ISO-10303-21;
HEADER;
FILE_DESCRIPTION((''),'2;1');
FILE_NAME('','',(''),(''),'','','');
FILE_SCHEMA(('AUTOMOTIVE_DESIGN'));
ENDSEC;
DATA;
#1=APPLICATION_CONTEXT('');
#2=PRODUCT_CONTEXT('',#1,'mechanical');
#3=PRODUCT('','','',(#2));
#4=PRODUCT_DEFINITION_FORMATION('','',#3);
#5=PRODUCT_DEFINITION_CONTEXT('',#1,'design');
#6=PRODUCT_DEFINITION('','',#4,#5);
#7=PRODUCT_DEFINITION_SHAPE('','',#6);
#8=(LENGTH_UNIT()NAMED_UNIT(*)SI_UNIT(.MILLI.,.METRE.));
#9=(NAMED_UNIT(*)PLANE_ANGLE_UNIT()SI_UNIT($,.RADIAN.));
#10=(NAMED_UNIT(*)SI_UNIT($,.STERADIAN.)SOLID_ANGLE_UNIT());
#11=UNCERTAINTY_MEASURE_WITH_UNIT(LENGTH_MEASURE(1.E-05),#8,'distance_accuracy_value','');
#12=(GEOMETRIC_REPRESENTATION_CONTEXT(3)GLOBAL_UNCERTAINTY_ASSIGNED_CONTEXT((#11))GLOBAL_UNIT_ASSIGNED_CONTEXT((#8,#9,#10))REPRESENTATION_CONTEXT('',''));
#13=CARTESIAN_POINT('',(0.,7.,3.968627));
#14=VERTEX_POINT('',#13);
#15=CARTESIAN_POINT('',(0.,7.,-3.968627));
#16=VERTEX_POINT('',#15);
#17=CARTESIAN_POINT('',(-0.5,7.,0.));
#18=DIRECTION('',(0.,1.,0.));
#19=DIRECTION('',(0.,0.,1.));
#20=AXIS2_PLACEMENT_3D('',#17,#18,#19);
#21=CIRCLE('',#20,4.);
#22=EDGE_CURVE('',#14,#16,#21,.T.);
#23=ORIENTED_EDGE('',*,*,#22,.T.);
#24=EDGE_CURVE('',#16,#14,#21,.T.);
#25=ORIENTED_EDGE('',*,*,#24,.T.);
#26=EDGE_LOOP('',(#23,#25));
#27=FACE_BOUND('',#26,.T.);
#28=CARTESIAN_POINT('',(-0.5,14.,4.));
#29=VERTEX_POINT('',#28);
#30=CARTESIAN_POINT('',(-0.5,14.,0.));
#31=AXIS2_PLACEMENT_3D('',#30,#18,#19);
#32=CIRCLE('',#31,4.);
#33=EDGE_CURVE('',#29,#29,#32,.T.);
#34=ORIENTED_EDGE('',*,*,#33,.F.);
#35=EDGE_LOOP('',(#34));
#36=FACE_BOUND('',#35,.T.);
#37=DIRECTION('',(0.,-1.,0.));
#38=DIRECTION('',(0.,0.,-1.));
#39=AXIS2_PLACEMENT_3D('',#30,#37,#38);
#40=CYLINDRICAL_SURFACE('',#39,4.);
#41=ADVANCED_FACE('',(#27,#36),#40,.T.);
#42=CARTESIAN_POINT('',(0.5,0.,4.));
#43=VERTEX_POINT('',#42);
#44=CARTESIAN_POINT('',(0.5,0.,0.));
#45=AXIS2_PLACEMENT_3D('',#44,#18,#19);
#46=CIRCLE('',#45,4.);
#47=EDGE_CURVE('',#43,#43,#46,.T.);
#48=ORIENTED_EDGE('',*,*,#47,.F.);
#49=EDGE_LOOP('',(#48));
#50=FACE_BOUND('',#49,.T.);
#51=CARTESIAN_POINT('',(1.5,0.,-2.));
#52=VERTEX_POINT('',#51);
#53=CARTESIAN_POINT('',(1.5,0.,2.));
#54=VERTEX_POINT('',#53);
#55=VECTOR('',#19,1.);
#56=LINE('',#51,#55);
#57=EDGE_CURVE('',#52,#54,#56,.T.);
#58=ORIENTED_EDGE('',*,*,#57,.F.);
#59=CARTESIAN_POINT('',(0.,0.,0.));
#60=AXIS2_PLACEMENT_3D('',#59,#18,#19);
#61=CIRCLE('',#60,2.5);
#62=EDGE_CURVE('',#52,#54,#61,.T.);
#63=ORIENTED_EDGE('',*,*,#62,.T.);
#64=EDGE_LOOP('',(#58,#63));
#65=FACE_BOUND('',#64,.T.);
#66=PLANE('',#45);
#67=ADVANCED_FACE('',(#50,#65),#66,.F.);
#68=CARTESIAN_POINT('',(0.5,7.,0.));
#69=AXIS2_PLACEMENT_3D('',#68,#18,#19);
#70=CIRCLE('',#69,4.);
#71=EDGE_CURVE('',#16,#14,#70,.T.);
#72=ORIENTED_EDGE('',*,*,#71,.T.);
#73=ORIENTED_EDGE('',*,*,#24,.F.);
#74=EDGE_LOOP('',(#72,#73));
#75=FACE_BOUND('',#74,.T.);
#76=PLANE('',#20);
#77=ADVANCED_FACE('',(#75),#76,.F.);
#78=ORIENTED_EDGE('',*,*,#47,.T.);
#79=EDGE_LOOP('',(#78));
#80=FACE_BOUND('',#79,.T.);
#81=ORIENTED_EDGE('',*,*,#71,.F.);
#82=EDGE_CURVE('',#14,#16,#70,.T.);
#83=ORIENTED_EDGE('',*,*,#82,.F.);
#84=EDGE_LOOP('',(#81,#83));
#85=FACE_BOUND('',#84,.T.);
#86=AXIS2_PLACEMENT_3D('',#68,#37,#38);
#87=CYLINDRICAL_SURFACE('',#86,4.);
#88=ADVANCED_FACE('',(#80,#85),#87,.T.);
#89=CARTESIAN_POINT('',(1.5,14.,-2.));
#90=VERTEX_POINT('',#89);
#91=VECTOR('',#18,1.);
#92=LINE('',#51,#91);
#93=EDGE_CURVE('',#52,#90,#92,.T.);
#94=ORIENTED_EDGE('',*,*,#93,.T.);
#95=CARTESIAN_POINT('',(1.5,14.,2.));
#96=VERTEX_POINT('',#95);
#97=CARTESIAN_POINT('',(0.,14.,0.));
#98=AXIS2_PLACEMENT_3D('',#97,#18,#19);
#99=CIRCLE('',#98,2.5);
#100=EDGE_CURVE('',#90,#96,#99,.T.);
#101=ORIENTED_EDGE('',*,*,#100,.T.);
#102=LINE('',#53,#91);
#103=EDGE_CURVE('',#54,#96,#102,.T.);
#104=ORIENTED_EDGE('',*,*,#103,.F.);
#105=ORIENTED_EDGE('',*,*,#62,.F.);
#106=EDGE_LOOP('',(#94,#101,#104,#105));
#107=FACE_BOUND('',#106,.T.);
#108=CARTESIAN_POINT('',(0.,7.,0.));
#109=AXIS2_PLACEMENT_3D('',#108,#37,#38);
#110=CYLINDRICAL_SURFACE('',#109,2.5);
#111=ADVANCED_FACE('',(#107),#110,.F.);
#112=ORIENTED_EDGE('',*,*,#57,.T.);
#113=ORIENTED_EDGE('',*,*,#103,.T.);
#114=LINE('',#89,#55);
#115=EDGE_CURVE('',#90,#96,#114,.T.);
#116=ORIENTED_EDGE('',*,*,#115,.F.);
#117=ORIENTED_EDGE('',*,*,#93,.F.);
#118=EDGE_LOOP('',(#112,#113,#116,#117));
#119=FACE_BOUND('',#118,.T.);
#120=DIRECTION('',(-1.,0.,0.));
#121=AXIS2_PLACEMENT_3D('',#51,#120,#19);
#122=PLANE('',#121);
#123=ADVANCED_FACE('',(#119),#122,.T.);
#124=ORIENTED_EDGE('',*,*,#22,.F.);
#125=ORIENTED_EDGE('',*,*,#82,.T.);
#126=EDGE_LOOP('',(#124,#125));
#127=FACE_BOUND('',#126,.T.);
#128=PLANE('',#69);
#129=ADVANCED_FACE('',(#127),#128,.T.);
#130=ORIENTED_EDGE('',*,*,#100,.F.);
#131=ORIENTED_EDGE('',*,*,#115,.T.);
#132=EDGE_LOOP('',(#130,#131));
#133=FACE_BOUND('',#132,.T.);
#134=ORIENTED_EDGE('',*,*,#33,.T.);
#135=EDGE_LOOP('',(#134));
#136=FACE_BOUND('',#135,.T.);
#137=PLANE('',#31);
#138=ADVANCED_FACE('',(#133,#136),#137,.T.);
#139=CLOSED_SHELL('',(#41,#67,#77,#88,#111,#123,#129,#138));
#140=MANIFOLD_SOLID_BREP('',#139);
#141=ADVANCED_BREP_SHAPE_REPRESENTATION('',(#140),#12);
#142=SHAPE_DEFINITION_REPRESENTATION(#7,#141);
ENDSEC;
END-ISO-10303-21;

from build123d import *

# Parameters (mm, degrees)
SKETCH1_R           = 4
SKETCH1_R_2         = 2.5
BOSS_EXTRUDE1_DEPTH = 7
SKETCH2_R           = 4
SKETCH2_R_2         = 2.5
BOSS_EXTRUDE2_DEPTH = 7
BOSS_EXTRUDE3_DEPTH = 14


with BuildPart() as part:
    # Sketch1 → Boss-Extrude1 (new body)
    with BuildSketch(Plane(origin=(0, 0, 0), x_dir=(1, 0, 0), z_dir=(0, 1, 0))):
        with Locations(Location((0.5, 0, 0), (0, 0, 270))):
            Circle(SKETCH1_R)
        with Locations(Location((0, 0, 0), (0, 0, 270))):
            Circle(SKETCH1_R_2, mode=Mode.SUBTRACT)
    extrude(amount=BOSS_EXTRUDE1_DEPTH)

    # Sketch2 → Boss-Extrude2 (add)
    with BuildSketch(Plane(origin=(0, 7, 0), x_dir=(1, 0, 0), z_dir=(0, 1, 0))):
        with Locations(Location((-0.5, 0, 0), (0, 0, 82.819244219))):
            Circle(SKETCH2_R)
        with Locations(Location((0, 0, 0), (0, 0, 270))):
            Circle(SKETCH2_R_2, mode=Mode.SUBTRACT)
    extrude(amount=BOSS_EXTRUDE2_DEPTH)

    # Sketch3 → Boss-Extrude3 (add, through all)
    with BuildSketch(Plane(origin=(0, 14, 0), x_dir=(1, 0, 0), z_dir=(0, 1, 0))):
        with BuildLine():
            Line((1.5, 2), (1.5, -2))
            ThreePointArc((1.5, -2), (2.5, 0), (1.5, 2))
        make_face()
    extrude(amount=-BOSS_EXTRUDE3_DEPTH)


solid = part.part
